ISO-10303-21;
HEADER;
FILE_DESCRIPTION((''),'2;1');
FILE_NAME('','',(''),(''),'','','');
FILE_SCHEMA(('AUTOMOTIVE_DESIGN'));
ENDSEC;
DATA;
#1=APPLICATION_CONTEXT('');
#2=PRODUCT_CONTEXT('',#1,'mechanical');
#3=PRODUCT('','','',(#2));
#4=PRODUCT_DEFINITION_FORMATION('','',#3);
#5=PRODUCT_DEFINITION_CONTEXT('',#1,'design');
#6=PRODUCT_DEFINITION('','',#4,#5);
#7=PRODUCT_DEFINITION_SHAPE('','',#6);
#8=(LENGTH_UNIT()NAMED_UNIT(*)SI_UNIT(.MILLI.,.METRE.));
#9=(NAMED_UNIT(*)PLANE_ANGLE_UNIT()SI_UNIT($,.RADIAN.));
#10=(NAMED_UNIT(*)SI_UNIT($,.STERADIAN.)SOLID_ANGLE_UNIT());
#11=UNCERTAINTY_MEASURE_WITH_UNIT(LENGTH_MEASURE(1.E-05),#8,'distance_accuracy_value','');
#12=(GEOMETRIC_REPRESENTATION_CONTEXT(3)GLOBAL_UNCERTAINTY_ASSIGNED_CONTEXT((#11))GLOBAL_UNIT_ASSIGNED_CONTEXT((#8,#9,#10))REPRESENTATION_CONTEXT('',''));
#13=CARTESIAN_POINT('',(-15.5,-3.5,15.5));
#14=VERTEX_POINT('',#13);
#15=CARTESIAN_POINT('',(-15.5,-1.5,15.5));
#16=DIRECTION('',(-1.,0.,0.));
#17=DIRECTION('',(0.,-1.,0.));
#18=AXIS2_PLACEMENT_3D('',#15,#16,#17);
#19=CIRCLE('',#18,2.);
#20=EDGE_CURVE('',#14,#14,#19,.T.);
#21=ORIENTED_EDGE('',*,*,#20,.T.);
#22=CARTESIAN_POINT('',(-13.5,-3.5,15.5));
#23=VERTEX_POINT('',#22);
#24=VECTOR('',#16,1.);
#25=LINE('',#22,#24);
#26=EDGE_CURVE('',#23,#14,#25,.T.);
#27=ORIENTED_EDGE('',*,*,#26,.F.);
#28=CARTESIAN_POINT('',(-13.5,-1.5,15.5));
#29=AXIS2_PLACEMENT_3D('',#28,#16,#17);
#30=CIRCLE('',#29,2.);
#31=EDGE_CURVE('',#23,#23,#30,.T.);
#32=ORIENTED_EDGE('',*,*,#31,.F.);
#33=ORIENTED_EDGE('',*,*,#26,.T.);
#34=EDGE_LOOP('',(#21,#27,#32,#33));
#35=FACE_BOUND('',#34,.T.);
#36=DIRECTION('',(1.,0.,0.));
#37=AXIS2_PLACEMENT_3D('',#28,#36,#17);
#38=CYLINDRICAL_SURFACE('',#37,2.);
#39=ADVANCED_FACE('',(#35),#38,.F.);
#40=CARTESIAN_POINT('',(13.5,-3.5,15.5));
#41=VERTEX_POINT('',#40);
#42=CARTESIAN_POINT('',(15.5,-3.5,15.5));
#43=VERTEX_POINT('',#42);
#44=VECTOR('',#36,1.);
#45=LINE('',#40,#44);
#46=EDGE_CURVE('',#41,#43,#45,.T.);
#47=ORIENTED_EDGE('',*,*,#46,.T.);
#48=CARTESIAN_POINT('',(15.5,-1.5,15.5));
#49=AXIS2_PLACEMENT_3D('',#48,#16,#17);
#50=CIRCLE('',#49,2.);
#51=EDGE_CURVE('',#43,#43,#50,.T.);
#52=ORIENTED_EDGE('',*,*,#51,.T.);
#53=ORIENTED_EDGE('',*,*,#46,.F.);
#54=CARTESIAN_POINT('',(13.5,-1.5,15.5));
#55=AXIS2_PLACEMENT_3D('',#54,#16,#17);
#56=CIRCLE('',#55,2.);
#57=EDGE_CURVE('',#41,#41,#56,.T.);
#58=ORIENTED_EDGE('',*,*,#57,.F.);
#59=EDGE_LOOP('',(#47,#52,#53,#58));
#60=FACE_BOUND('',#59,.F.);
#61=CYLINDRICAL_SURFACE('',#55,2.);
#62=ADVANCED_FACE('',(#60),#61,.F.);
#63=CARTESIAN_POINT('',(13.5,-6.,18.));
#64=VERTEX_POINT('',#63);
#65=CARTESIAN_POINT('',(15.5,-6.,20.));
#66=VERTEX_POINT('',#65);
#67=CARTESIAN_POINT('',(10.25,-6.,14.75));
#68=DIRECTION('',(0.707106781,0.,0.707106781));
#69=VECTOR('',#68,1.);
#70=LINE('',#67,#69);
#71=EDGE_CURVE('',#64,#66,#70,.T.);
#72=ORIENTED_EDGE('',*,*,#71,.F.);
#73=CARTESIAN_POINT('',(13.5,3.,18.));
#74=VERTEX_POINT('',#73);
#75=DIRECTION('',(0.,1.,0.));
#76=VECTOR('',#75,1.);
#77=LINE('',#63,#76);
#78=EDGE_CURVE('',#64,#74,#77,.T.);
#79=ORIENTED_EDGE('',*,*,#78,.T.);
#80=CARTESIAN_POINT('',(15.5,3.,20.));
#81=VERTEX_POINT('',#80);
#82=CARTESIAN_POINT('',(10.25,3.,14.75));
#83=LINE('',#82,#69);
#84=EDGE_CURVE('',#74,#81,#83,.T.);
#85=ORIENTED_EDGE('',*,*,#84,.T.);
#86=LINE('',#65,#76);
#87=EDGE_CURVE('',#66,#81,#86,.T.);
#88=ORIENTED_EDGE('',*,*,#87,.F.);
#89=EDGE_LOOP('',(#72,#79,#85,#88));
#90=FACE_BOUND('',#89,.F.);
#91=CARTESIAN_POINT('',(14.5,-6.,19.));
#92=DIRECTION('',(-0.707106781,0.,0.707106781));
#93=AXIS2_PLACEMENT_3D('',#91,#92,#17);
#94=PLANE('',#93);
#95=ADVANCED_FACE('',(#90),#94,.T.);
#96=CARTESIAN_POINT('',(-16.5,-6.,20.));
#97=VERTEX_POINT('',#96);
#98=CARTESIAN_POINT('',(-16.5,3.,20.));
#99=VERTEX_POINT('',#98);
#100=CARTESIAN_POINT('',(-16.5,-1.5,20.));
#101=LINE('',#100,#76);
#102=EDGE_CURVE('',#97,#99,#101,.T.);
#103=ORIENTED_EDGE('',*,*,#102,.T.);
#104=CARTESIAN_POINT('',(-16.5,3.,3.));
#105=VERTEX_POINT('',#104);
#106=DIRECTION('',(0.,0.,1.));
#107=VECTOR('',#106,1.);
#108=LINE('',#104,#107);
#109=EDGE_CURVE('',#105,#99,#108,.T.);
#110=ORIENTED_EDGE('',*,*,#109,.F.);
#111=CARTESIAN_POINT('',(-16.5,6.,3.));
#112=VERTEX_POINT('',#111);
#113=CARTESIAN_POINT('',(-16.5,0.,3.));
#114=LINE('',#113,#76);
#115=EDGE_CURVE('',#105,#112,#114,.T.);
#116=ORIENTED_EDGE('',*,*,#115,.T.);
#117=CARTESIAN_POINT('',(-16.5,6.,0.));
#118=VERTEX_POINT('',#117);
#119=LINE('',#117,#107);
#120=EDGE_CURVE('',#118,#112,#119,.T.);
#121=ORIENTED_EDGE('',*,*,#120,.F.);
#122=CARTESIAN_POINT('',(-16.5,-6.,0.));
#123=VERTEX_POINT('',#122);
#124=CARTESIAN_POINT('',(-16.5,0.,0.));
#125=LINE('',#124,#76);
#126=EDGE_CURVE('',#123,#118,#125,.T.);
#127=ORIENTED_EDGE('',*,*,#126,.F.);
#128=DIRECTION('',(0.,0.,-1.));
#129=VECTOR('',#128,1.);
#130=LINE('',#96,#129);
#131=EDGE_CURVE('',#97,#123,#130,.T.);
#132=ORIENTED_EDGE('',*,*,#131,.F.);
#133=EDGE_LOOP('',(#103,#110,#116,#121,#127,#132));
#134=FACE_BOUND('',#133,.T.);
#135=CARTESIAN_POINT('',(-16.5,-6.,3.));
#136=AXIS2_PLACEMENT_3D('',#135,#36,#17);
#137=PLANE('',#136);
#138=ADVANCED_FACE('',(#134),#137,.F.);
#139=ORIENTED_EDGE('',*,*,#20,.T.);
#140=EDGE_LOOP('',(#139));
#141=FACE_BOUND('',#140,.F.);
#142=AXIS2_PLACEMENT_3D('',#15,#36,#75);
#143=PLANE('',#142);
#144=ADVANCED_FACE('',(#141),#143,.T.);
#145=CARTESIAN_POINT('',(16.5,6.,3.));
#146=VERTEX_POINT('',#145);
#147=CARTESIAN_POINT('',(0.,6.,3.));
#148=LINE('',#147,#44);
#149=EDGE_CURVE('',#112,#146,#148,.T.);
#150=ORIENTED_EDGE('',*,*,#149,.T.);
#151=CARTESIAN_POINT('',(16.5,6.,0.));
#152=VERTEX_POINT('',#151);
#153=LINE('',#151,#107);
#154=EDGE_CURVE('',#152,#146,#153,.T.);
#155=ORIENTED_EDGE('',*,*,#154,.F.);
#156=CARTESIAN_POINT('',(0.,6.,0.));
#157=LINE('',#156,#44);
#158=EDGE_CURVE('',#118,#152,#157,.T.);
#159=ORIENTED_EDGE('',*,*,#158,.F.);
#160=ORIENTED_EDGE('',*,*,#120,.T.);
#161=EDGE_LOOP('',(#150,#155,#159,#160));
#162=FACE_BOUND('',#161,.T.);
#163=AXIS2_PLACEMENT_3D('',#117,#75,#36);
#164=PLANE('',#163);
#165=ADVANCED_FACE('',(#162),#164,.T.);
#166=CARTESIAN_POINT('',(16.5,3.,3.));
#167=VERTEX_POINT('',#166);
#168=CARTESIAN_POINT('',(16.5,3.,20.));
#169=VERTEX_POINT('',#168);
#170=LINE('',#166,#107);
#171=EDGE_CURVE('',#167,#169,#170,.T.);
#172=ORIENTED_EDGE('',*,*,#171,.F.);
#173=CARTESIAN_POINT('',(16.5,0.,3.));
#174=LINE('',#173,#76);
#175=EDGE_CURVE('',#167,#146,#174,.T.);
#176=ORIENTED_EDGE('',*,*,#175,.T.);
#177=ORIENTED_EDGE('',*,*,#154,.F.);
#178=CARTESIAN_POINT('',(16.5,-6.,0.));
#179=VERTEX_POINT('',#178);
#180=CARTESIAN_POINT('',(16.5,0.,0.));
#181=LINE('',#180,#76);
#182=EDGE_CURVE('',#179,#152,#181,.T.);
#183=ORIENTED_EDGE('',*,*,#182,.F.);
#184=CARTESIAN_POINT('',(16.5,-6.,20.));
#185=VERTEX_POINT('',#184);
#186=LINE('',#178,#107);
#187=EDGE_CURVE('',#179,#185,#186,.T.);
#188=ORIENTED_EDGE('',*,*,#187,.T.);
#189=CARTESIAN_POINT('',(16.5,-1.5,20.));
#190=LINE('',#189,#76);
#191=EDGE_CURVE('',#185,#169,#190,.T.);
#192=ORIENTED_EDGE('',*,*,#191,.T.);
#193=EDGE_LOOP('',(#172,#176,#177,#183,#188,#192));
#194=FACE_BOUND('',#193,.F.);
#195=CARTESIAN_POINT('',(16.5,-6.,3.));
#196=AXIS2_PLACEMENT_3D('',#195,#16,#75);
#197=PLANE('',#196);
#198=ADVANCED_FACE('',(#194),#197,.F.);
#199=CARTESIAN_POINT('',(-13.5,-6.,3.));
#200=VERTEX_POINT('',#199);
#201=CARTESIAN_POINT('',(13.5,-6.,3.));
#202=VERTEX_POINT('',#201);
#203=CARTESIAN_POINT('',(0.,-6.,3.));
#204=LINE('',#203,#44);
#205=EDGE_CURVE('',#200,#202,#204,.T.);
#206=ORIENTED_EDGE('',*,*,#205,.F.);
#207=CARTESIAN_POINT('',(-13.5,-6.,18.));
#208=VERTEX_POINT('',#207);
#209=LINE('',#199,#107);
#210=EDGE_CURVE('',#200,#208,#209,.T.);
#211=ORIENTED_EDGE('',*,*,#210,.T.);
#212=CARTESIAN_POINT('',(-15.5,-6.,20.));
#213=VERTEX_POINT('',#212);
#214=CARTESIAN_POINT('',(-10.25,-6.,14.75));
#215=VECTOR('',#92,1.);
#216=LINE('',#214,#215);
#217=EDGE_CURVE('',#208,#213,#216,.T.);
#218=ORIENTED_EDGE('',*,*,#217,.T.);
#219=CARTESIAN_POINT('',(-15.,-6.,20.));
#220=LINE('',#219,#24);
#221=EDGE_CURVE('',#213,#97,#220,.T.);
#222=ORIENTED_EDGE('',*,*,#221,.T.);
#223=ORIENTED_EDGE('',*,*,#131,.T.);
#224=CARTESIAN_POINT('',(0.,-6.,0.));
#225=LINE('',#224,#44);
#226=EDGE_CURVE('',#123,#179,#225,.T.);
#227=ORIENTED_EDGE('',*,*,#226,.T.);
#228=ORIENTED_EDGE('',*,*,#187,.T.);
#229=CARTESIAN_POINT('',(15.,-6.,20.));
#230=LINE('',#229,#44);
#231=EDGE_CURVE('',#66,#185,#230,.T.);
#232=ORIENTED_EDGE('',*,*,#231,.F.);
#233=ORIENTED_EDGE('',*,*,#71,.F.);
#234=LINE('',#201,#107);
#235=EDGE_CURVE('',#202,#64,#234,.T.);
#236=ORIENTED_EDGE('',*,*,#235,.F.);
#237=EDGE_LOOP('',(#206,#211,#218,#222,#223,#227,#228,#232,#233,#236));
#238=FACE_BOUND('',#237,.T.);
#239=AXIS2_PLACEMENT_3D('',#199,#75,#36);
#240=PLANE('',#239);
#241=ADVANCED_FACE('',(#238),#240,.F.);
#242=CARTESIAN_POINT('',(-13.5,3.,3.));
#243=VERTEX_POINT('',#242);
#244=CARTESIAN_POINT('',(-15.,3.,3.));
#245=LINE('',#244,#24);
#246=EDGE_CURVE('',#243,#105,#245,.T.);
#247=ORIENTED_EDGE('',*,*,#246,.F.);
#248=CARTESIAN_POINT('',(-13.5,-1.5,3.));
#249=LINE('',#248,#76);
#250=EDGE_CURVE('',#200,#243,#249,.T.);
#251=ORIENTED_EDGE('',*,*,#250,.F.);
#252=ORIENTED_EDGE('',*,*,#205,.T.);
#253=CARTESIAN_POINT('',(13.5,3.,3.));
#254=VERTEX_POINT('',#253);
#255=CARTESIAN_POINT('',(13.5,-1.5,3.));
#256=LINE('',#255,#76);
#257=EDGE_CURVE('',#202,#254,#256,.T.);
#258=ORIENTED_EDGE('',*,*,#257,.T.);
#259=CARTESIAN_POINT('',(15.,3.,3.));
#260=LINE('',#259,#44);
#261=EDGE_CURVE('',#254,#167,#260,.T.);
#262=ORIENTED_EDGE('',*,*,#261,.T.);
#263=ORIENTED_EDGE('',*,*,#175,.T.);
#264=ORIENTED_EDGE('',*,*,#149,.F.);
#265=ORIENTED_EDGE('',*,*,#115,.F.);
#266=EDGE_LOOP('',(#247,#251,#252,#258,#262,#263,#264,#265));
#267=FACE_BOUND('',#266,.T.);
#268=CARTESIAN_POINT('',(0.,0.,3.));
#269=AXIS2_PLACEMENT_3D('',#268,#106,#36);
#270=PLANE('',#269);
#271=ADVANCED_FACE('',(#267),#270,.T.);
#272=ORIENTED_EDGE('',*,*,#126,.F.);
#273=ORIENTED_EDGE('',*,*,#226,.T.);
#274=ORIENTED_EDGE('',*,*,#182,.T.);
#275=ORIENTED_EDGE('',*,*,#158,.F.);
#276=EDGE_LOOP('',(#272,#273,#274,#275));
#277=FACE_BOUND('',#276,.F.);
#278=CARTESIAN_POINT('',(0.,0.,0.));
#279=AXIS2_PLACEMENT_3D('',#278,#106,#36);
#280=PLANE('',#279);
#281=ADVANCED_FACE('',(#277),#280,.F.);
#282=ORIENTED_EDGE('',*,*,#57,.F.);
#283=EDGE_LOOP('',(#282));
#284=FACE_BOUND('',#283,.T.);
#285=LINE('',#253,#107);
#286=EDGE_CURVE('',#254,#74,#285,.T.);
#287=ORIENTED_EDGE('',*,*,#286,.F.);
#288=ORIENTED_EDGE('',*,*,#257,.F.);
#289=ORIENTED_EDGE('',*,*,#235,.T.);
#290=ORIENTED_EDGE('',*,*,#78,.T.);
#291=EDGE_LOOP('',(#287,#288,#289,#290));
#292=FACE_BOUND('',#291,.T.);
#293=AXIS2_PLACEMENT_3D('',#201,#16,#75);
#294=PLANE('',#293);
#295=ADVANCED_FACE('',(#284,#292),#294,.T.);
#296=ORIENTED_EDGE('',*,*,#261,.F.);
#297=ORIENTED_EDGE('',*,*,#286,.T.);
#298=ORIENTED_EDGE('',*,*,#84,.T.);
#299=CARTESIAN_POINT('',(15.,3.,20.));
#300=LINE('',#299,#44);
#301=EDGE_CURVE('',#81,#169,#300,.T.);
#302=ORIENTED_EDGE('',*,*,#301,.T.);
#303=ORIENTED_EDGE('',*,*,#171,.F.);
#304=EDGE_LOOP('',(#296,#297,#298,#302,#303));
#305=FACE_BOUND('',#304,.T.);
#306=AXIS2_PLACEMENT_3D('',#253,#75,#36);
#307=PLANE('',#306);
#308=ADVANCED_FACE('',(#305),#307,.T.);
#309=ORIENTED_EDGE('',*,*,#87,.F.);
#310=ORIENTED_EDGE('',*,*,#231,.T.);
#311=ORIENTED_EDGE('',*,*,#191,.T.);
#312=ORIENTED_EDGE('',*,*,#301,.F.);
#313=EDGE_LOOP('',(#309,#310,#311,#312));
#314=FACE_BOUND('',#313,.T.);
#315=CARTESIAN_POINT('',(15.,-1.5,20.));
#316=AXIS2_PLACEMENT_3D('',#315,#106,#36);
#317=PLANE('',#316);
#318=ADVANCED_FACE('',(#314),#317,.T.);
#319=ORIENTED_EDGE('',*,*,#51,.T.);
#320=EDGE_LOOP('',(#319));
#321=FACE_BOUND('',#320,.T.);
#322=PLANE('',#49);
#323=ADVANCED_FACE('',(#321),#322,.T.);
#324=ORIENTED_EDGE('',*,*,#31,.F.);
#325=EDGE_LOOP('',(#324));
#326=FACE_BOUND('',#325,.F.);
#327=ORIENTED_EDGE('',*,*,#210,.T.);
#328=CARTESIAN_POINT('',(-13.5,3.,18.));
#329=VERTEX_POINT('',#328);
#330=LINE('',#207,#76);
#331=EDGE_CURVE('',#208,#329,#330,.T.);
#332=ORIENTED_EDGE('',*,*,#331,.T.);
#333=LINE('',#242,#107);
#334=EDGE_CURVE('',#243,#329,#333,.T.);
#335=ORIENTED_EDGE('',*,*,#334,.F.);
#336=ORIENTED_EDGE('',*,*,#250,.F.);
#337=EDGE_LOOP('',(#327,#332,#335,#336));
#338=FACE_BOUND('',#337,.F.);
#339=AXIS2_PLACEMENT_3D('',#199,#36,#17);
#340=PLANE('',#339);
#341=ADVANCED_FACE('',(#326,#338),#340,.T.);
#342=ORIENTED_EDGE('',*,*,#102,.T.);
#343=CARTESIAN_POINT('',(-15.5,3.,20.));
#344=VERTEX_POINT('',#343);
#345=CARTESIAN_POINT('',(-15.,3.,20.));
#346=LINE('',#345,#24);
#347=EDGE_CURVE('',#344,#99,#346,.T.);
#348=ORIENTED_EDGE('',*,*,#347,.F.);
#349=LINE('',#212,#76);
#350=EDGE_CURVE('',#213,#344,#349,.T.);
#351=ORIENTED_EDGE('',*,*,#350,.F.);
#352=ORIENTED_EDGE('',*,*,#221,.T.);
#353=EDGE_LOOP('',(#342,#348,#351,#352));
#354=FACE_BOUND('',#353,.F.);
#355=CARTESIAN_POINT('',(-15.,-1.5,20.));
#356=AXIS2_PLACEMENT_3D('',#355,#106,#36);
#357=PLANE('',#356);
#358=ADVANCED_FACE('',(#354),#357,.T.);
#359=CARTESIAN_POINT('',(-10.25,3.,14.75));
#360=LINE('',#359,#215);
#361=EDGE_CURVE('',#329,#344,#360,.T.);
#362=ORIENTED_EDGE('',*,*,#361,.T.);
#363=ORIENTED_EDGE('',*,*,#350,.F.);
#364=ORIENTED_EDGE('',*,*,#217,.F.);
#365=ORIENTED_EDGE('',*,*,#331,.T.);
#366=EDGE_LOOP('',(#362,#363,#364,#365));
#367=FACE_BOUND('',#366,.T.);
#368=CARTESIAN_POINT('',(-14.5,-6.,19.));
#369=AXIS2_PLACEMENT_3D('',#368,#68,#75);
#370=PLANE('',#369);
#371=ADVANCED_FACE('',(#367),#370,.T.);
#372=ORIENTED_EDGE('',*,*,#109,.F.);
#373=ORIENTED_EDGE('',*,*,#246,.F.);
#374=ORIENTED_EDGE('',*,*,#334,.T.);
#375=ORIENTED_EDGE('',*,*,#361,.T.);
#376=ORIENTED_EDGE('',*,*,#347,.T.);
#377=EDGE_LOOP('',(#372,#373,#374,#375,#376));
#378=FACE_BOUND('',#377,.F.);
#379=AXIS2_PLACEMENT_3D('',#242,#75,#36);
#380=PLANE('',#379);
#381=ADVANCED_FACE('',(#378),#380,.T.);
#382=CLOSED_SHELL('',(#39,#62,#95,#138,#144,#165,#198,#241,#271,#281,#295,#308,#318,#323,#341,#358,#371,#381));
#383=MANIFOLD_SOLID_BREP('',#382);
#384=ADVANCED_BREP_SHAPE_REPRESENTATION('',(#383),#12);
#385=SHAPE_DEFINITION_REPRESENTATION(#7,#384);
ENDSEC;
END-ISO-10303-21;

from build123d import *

# Parameters (mm, degrees)
F0_W     = 33
F0_H     = 12
F1_DEPTH = 3
F2_W     = 3
F2_H     = 9
F3_DEPTH = 17
F4_R     = 2
F5_DEPTH = 2
F6_SIZE  = 2


with BuildPart() as f1:
    # F0 (on Top) → F1 (new body)
    with BuildSketch(Plane.XY):
        Rectangle(F0_W, F0_H)
    extrude(amount=F1_DEPTH)

    # F2 (on face) → F3 (join)
    with BuildSketch(Plane.XY.offset(3)):
        with Locations((15, -1.5)):
            Rectangle(F2_W, F2_H)
    extrude(amount=F3_DEPTH)

    # F4 (on face) → F5 (cut)
    with BuildSketch(Plane(origin=(13.5, 0, 0), x_dir=(0, -1, 0), z_dir=(-1, 0, 0))):
        with Locations((1.5, 15.5)):
            Circle(F4_R)
    extrude(amount=-F5_DEPTH, mode=Mode.SUBTRACT)

    # F6
    f6_edges = [f1.edges().sort_by_distance(p)[0] for p in [
        (13.5, -1.5, 20),
    ]]
    chamfer(f6_edges, length=F6_SIZE)

    # F7: F1 across plane


with BuildPart() as f1_1:
    add(f1.part)
    add(f1.part.mirror(Plane.YZ))


solid = f1_1.part
